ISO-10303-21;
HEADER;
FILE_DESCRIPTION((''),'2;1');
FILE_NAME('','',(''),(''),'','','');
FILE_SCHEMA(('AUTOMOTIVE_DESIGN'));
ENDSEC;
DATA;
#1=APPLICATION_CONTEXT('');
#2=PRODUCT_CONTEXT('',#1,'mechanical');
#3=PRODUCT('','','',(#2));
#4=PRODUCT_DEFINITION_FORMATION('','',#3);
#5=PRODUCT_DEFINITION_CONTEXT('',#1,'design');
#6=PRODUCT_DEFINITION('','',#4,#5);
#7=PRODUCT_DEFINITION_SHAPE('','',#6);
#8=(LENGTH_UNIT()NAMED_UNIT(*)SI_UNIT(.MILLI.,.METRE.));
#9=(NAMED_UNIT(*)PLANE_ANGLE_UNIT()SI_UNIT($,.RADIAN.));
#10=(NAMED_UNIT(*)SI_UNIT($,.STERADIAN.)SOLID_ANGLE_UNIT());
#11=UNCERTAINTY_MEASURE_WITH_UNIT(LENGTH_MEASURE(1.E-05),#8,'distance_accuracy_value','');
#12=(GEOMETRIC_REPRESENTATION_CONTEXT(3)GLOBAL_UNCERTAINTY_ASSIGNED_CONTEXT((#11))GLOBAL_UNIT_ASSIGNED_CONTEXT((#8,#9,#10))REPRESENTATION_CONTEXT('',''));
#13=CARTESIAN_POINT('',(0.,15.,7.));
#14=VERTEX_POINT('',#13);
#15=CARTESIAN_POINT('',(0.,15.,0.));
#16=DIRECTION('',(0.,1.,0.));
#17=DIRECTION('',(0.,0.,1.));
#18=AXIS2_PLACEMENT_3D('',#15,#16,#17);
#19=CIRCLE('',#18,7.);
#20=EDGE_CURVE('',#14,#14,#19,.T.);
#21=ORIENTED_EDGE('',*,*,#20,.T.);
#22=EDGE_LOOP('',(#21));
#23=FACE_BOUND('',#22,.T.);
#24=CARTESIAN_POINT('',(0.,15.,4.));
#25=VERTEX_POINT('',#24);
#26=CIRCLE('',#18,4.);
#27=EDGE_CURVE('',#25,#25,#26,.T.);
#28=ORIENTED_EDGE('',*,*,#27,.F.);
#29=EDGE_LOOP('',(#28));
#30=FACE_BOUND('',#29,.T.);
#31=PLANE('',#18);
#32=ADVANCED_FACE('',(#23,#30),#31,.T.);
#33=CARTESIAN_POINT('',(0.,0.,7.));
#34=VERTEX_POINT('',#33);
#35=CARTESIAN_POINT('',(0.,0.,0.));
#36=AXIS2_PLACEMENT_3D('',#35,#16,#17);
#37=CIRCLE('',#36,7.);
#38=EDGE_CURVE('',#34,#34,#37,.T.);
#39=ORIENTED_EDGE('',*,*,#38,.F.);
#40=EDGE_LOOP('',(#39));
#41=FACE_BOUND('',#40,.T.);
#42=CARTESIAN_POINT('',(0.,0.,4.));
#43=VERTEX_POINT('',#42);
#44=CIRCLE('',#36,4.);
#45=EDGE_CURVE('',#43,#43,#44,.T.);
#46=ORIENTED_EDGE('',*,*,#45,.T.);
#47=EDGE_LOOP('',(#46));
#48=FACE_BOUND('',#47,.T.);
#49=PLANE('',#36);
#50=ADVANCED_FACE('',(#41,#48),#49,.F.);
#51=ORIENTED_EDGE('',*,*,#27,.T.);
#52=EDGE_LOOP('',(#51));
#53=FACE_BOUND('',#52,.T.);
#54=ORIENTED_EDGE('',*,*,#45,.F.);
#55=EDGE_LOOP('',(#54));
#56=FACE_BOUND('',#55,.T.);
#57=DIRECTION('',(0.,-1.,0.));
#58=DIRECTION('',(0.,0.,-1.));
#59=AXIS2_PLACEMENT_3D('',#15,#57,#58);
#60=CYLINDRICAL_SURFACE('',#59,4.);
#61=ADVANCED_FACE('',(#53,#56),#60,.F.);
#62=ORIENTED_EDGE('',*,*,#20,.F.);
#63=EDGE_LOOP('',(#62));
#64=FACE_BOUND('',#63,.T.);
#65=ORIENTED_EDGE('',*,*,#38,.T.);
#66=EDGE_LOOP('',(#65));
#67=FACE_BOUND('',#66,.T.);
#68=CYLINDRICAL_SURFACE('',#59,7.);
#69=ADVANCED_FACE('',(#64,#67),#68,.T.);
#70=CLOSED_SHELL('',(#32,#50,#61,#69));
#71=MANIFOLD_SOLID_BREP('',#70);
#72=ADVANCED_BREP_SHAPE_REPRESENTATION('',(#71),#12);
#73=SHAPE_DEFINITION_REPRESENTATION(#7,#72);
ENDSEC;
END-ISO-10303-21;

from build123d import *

# Parameters (mm, degrees)
SKETCH1_R           = 7
SKETCH1_R_2         = 4
BOSS_EXTRUDE1_DEPTH = 15


with BuildPart() as part:
    # Sketch1 → Boss-Extrude1 (new body)
    with BuildSketch(Plane(origin=(0, 0, 0), x_dir=(1, 0, 0), z_dir=(0, 1, 0))):
        with Locations(Location((0, 0, 0), (0, 0, 270))):  # turned: the seam where the file's is
            Circle(SKETCH1_R)
        with Locations(Location((0, 0, 0), (0, 0, 270))):  # turned: the seam where the file's is
            Circle(SKETCH1_R_2, mode=Mode.SUBTRACT)
    extrude(amount=BOSS_EXTRUDE1_DEPTH)


solid = part.part
